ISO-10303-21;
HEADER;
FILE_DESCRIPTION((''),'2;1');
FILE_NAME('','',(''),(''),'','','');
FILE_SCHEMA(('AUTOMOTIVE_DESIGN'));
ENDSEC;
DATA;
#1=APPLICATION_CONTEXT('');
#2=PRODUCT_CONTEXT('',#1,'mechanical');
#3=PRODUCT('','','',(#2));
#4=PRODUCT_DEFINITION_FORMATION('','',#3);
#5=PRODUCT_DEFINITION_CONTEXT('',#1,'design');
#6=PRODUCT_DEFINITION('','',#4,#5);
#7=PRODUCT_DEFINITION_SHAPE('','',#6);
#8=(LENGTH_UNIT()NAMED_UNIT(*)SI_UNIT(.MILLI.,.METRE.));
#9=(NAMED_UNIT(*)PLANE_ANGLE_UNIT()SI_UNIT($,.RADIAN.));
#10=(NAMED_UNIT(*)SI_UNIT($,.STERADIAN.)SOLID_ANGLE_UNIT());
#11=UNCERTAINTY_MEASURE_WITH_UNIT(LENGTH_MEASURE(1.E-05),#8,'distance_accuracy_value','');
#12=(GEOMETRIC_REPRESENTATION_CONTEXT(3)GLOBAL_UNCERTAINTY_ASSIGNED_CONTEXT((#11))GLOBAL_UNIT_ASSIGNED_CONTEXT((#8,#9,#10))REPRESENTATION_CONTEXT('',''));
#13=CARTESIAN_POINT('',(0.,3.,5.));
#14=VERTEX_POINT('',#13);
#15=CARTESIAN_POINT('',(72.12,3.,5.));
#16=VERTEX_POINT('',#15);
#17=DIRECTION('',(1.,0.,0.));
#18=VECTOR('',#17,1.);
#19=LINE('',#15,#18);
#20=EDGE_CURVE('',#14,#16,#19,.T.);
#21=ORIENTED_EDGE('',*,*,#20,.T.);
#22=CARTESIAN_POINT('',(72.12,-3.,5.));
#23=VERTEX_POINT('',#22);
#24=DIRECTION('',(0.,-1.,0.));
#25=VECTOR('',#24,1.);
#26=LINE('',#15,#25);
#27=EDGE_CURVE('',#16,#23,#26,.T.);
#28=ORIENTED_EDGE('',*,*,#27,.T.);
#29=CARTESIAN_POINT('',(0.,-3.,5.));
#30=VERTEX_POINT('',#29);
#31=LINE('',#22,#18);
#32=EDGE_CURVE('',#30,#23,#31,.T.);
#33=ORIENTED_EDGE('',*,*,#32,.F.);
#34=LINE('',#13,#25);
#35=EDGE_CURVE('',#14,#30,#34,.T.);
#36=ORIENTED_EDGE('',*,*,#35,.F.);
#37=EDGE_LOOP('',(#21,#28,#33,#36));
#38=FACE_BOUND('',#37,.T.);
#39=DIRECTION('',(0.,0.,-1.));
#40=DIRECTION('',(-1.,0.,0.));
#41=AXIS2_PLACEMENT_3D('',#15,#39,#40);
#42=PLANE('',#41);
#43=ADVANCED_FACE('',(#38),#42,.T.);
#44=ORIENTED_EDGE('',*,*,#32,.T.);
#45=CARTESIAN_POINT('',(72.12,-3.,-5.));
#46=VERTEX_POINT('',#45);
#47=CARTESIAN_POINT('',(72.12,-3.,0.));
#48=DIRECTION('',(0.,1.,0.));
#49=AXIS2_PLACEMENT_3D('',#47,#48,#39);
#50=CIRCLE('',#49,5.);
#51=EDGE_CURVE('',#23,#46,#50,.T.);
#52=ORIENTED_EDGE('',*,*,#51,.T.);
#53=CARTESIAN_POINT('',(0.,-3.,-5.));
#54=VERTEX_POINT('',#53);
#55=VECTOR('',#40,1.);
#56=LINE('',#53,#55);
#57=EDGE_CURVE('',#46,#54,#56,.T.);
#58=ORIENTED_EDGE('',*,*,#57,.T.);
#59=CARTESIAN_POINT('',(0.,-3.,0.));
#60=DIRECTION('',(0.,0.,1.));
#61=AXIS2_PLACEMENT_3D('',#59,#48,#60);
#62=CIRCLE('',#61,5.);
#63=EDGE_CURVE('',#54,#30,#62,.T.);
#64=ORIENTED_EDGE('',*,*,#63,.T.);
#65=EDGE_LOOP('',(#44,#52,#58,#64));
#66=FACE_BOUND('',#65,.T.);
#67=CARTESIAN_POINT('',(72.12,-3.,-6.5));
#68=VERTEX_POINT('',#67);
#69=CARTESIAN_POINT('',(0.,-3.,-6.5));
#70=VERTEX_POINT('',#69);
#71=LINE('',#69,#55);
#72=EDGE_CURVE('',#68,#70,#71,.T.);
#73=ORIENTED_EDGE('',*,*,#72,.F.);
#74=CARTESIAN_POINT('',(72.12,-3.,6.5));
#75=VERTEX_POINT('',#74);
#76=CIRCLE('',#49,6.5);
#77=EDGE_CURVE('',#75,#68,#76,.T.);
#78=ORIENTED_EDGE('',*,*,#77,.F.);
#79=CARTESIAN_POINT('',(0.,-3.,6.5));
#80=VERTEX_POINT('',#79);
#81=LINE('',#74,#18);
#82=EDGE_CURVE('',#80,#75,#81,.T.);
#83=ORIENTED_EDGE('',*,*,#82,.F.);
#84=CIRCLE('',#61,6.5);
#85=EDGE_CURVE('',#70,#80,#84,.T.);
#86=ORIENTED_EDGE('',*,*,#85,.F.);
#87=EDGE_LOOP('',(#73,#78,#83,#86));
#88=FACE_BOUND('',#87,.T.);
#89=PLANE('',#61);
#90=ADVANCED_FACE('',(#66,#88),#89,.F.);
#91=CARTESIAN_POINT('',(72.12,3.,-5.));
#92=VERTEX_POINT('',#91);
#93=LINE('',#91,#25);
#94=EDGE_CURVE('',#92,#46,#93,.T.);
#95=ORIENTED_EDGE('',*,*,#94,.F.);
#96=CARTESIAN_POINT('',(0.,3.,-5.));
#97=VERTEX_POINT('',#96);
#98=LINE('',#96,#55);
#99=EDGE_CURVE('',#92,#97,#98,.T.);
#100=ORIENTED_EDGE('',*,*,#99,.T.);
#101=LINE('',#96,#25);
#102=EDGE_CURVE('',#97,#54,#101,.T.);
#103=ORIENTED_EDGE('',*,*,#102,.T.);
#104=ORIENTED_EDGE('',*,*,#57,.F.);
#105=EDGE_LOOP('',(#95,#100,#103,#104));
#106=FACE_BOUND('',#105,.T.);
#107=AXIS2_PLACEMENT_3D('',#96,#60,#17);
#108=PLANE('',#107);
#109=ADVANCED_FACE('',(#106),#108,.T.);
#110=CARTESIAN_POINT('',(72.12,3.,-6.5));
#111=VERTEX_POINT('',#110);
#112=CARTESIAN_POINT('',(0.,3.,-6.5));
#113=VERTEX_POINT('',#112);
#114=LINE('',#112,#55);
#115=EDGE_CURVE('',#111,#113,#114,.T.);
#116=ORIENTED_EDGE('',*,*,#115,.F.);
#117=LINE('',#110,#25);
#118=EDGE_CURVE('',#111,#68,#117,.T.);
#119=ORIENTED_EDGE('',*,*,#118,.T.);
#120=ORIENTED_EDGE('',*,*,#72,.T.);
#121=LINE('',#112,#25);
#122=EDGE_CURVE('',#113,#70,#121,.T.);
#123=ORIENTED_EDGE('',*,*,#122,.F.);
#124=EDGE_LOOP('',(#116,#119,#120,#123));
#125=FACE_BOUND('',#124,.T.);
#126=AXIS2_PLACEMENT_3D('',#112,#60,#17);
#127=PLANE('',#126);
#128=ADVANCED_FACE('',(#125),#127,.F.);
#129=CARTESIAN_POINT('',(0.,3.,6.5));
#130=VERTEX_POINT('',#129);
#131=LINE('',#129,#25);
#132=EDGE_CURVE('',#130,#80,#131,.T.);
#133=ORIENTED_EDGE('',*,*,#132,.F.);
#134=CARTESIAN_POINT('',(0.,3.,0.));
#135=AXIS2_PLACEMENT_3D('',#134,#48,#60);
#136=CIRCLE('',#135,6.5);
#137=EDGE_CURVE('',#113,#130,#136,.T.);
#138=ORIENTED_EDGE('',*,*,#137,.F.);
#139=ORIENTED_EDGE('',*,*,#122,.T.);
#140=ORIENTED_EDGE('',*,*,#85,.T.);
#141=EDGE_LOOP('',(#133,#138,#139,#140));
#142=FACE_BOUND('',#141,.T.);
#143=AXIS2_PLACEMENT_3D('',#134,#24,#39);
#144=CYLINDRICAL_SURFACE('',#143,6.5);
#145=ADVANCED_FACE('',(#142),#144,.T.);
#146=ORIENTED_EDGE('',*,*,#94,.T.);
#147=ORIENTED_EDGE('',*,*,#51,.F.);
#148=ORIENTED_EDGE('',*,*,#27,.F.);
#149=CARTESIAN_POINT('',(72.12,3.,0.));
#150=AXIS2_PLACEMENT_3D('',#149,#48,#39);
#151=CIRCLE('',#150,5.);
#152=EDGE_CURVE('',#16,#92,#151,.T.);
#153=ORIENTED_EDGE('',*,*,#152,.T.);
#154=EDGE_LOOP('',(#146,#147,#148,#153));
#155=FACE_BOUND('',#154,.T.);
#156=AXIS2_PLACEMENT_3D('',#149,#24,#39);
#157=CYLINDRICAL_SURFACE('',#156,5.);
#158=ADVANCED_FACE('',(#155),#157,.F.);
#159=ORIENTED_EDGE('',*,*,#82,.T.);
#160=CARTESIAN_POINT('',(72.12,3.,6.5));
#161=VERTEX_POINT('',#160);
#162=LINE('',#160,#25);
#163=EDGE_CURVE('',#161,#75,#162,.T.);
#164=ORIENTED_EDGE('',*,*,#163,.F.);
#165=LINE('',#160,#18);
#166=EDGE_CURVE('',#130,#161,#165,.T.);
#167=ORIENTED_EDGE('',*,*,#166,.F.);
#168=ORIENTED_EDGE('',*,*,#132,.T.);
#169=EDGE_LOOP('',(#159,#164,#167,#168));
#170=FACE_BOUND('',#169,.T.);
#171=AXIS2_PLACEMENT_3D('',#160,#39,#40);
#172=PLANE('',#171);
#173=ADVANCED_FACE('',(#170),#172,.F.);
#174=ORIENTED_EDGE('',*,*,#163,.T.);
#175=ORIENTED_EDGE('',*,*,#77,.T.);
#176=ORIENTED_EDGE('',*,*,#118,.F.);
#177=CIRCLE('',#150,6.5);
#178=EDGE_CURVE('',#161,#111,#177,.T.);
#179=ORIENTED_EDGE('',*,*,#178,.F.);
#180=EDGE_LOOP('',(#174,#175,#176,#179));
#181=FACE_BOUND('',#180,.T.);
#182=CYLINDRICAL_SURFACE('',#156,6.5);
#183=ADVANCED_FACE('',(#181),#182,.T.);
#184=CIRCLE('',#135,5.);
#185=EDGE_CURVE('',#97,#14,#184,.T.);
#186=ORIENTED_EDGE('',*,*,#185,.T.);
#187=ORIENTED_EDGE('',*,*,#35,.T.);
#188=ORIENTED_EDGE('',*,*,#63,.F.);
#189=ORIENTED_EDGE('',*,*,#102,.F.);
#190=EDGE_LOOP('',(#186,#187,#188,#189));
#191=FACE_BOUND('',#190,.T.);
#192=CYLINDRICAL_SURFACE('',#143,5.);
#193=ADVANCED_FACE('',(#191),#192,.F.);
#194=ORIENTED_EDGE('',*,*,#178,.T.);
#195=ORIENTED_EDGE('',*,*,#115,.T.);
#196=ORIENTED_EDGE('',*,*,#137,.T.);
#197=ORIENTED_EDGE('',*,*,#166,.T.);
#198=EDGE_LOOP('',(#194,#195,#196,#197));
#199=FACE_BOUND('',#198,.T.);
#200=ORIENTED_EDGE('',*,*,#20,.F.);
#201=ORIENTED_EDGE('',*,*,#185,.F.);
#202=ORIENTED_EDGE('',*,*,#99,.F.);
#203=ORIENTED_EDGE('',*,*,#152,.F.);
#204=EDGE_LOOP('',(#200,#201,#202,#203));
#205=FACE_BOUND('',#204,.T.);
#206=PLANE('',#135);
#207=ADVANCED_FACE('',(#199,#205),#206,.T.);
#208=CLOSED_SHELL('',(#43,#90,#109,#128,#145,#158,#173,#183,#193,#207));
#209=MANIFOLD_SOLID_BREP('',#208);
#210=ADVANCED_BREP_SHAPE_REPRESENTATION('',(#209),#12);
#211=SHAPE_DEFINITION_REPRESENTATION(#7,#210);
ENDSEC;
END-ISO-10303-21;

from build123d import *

# Parameters (mm, degrees)
BOSS_EXTRUDE1_DEPTH = 3


with BuildPart() as part:
    # Sketch1 → Boss-Extrude1 (new, symmetric)
    with BuildSketch(Plane(origin=(0, 0, 0), x_dir=(1, 0, 0), z_dir=(0, 1, 0))):
        with BuildLine():
            Line((0, 6.5), (72.12, 6.5))
            ThreePointArc((72.12, 6.5), (78.62, 0), (72.12, -6.5))
            Line((72.12, -6.5), (0, -6.5))
            ThreePointArc((0, -6.5), (-6.5, 0), (0, 6.5))
        make_face()
        with BuildLine():
            Line((0, 5), (72.12, 5))
            ThreePointArc((72.12, 5), (77.12, 0), (72.12, -5))
            Line((72.12, -5), (0, -5))
            ThreePointArc((0, -5), (-5, 0), (0, 5))
        make_face(mode=Mode.SUBTRACT)
    extrude(amount=BOSS_EXTRUDE1_DEPTH, both=True)


solid = part.part
